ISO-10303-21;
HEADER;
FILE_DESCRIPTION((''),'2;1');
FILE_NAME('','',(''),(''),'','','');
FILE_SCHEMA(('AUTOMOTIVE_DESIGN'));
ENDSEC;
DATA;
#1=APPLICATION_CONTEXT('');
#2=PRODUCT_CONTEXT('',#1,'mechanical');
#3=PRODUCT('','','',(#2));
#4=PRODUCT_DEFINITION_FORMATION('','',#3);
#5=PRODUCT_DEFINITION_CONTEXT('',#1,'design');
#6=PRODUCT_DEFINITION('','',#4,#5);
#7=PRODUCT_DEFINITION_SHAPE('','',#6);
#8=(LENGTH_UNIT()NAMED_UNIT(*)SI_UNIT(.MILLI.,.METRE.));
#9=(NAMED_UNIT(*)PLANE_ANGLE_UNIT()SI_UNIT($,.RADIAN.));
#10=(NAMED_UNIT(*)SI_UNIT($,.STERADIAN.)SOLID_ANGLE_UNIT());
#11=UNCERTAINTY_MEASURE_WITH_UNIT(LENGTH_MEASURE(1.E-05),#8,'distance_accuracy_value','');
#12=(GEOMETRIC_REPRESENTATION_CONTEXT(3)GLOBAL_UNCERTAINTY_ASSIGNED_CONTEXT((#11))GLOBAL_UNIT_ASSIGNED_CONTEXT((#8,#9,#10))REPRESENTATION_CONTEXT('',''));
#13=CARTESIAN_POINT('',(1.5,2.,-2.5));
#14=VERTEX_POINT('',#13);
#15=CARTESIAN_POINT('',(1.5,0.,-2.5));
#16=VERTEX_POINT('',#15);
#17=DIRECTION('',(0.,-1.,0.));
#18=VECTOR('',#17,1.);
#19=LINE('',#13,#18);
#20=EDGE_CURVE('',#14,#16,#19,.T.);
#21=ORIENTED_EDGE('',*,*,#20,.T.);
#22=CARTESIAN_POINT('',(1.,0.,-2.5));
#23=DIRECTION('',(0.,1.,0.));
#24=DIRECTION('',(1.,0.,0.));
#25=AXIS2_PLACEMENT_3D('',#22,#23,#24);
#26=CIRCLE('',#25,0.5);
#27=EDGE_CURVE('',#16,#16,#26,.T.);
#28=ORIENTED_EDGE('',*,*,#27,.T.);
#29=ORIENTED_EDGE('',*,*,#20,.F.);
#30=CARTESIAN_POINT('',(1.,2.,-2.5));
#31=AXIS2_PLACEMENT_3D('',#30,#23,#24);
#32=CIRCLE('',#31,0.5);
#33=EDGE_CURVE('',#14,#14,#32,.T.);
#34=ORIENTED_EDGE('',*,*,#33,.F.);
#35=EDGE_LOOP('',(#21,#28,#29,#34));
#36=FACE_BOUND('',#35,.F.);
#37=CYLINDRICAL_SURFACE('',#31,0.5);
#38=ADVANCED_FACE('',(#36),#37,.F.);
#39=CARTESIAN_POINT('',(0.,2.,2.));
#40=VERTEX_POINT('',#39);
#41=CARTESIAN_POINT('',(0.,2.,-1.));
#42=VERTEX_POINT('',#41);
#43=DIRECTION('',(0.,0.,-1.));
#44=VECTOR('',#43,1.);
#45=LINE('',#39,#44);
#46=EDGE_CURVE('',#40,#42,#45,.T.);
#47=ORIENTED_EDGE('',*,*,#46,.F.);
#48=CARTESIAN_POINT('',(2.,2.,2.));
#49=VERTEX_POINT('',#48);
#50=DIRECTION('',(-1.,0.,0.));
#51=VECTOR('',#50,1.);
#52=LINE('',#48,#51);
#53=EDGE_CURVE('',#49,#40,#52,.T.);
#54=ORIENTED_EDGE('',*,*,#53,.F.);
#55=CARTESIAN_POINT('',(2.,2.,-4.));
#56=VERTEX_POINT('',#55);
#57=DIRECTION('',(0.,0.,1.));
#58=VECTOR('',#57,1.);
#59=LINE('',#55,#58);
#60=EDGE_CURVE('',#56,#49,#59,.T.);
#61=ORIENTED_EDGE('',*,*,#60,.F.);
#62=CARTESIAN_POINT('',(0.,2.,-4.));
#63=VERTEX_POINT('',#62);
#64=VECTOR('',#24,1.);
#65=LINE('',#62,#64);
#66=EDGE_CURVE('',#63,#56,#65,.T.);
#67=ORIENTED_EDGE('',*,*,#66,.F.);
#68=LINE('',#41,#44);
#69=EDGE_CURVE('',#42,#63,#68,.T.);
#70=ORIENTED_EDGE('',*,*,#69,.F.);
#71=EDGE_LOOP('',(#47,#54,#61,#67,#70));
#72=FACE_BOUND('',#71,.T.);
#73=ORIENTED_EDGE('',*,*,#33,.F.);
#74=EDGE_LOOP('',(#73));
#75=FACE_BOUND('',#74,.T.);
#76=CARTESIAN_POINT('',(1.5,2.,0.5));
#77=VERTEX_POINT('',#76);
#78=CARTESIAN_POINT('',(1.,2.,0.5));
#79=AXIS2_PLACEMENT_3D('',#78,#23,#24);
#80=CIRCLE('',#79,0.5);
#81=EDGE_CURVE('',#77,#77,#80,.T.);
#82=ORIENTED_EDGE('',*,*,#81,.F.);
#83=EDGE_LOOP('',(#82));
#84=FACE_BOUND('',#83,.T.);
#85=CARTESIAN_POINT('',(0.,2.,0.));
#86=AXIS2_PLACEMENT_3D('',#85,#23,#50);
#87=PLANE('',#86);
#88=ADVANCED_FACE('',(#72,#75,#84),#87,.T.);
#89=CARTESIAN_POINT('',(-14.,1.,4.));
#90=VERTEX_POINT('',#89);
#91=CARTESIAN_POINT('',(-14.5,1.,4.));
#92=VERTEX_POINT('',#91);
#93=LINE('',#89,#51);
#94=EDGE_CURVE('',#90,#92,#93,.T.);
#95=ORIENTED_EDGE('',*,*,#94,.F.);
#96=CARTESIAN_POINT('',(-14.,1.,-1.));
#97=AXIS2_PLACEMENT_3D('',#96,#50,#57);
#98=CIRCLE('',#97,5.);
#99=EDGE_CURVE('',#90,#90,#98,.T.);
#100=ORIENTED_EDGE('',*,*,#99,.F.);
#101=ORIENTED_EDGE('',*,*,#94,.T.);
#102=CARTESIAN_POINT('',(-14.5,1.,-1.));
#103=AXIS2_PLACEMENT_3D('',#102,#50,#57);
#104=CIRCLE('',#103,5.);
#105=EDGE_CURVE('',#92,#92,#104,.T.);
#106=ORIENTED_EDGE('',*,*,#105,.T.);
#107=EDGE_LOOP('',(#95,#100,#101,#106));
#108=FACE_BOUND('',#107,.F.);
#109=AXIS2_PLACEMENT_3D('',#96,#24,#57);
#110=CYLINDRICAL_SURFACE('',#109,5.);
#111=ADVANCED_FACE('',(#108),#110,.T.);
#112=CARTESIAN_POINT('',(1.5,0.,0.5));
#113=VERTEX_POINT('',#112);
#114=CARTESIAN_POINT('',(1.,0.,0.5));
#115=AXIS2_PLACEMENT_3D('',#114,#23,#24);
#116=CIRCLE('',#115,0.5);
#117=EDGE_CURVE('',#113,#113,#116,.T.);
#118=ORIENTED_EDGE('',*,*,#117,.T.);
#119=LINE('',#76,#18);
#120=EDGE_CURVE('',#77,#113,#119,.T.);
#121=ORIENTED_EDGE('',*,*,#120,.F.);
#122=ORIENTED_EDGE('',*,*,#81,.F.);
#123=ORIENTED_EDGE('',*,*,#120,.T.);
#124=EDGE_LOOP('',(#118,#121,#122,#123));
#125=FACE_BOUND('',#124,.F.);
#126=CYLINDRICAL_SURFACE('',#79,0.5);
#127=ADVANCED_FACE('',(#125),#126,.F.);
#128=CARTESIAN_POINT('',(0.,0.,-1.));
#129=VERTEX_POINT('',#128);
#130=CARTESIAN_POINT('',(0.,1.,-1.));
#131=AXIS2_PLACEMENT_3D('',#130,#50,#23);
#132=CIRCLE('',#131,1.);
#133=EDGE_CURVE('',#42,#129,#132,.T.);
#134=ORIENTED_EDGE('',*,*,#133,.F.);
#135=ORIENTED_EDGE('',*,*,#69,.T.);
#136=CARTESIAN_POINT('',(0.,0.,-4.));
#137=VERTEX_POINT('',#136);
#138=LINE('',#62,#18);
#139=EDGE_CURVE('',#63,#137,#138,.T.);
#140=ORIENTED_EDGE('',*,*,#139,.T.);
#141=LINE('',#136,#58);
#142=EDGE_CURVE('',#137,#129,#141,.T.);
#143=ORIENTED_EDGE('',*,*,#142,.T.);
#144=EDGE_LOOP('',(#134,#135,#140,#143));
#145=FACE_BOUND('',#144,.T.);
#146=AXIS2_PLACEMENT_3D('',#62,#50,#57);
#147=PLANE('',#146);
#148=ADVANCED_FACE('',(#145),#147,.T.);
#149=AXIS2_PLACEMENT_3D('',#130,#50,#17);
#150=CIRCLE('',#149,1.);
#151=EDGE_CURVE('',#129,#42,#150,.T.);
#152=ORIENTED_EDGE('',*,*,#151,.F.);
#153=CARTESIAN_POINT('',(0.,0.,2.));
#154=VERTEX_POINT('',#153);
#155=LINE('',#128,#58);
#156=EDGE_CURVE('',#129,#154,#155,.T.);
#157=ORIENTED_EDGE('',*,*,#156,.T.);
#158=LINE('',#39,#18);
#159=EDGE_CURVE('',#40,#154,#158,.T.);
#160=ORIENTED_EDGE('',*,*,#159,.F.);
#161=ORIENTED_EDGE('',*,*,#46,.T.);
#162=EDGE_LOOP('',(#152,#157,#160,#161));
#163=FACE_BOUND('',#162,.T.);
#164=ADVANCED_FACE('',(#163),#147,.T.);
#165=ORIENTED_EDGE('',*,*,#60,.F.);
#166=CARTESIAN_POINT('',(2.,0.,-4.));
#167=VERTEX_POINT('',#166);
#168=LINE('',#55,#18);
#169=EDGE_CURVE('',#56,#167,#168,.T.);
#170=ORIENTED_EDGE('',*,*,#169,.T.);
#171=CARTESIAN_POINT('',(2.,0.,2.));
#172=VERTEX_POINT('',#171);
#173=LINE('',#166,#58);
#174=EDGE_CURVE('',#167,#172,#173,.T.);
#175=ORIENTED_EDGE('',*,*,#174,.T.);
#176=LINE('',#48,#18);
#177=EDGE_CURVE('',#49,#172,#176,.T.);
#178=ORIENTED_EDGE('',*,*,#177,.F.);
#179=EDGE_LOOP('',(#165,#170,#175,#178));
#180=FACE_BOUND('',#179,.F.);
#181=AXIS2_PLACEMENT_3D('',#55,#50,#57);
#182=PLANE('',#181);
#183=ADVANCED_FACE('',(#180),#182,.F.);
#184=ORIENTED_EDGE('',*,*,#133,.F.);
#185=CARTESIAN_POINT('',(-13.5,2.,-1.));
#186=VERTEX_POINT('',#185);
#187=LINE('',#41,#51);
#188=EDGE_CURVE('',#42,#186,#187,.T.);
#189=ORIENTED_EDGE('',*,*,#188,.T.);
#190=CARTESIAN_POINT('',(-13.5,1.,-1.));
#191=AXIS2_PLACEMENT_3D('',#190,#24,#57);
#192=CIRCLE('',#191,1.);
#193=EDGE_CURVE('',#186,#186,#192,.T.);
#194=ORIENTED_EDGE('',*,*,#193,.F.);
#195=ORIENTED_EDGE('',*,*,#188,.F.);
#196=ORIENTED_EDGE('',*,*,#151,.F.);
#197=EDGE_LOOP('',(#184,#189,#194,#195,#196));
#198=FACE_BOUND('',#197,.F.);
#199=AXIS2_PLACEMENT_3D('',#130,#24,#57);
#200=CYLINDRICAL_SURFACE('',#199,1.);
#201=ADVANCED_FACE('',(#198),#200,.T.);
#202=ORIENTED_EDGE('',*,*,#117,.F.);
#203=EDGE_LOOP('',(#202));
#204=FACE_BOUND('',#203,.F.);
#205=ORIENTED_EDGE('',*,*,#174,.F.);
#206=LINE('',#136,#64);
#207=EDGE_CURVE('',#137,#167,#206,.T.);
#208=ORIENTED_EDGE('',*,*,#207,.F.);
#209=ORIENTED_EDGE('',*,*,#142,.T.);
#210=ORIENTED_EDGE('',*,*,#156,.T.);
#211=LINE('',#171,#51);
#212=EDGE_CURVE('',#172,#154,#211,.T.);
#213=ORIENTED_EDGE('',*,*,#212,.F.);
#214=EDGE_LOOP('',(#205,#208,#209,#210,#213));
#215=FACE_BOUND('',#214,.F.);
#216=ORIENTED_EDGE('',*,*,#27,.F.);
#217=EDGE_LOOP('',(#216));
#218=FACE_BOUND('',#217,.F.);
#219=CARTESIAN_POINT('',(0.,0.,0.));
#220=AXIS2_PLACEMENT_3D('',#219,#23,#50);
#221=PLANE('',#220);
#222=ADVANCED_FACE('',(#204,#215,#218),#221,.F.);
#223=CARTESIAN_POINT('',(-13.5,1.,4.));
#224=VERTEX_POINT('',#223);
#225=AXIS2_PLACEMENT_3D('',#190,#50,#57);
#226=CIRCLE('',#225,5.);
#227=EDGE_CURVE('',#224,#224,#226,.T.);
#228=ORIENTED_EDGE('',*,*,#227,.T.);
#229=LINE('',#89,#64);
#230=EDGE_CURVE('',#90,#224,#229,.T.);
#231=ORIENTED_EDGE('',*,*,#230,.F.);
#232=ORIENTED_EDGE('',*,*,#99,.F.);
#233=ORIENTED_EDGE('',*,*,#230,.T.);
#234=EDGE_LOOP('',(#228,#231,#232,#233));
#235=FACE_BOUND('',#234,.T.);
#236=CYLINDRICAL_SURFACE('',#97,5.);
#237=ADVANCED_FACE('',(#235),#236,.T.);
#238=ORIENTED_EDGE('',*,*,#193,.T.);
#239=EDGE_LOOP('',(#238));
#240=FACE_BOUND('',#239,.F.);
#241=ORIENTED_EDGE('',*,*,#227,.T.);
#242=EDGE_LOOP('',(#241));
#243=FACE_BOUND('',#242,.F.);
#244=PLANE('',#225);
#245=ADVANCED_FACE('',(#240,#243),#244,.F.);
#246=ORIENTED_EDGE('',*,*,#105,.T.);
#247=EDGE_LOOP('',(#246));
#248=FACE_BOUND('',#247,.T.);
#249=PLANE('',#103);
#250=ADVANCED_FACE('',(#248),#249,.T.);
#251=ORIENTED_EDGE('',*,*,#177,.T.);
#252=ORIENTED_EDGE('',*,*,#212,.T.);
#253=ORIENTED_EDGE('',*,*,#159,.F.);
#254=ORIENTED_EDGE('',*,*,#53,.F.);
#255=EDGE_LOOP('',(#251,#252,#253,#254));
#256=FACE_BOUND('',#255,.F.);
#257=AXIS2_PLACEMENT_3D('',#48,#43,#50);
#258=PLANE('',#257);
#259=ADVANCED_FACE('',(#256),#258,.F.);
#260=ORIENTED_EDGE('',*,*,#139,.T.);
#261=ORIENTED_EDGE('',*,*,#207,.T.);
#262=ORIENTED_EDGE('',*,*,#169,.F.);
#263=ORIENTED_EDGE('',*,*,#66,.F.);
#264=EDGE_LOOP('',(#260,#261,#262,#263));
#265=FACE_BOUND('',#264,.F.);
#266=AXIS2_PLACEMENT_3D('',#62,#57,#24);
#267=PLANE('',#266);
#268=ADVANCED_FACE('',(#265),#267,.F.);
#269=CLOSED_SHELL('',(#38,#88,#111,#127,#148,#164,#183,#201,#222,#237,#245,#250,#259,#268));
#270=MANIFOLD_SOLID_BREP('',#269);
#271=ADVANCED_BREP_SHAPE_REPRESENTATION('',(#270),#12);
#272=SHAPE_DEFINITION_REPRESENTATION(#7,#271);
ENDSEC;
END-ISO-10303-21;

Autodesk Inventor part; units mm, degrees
ref_plane "YZ Plane" through (0, 0, 0) normal (1, 0, 0) x (0, 1, 0)
ref_plane "XZ Plane" through (0, 0, 0) normal (0, 1, 0) x (-1, 0, 0)
ref_plane "XY Plane" through (0, 0, 0) normal (0, 0, 1) x (1, 0, 0)
sketch "Sketch1" plane through (0, 0, 0) normal (0, 1, 0) x (-1, 0, 0)
  line L0 (0, 0) -> (20, 0)
  line L1 (20, 0) -> (20, -2)
  line L2 (20, -2) -> (0, -2)
  line L3 (0, -2) -> (0, 0)
  dimension "d0" = 20
  dimension "d1" = 2
extrude "Extrusion1" add sketch "Sketch1" along normal blind 2
sketch "Sketch2" plane through (0, 2, 0) normal (0, 1, 0) x (1, 0, 0)
  line L0 (0, 2) -> (-20, 2) projected
  line L1 (0, 2) -> (0, 4)
  line L2 (0, 4) -> (2, 4)
  line L3 (2, 4) -> (2, -2)
  line L4 (2, -2) -> (0, -2)
  line L5 (0, 0) -> (0, 2) projected
  line L6 (0, -2) -> (0, 0)
  dimension "d4" = 2
  dimension "d5" = 2
  dimension "d6" = 6
extrude "Extrusion2" add sketch "Sketch2" against normal blind 2
sketch "Sketch3" plane through (0, 2, 0) normal (0, 1, 0) x (1, 0, 0)
  line L0 (0, 0) -> (0, -2) projected
  line L1 (0, -2) -> (0, -1)
  line L2 (2, 4) -> (2, -2) projected
  line L3 (2, -2) -> (2, -0.5)
  line L4 (2, -0.5) -> (1, -0.5)
  circle A0 centre (1, -0.5) radius 0.5
  line L5 (2, 1) -> (1.5, 1)
  circle A1 centre (1, 2.5) radius 0.5
  dimension "d9" = 1.5
  dimension "d10" = 1
  dimension "d11" = 1
extrude "Extrusion3" cut sketch "Sketch3" against normal blind 2
sketch "Sketch4" plane through (0, 2, -4) normal (-1, 0, 0) x (0, 0, 1)
  line L0 (2, 0) -> (4, 0) projected
  line L1 (3, 0) -> (3, -2)
  line L2 (2, -2) -> (4, -2) projected
  circle A0 centre (3, -1) radius 1
  line L3 (2, -2) -> (2, 0) projected
  circle A1 centre (3, -1) radius 1.4142
extrude "Extrusion4" cut sketch "Sketch4" along normal blind 100 contours L0 A0 L3 | L3 A1 | L0 A1 L2 A0 | A0 L2 L3
ref_plane "Work Plane1" through (-14, 1, -1) normal (-1, 0, 0) x (0, 0, 1)
sketch "Sketch5" plane through (-14, 1, -1) normal (-1, 0, 0) x (0, 0, 1)
  circle A0 centre (0, 0) radius 5
  point P0 (1, -1)
  dimension "d17" = 10
extrude "Extrusion5" add sketch "Sketch5" along normal mid plane 1
sketch "Sketch6" plane through (-20, 1, -1) normal (-1, 0, 0) x (0, 0, 1)
  circle A0 centre (0, 0) radius 5
  point P0 (1, -1)
extrude "Extrusion6" cut sketch "Sketch6" against normal blind 5.5
properties part number "drive_shaft"
